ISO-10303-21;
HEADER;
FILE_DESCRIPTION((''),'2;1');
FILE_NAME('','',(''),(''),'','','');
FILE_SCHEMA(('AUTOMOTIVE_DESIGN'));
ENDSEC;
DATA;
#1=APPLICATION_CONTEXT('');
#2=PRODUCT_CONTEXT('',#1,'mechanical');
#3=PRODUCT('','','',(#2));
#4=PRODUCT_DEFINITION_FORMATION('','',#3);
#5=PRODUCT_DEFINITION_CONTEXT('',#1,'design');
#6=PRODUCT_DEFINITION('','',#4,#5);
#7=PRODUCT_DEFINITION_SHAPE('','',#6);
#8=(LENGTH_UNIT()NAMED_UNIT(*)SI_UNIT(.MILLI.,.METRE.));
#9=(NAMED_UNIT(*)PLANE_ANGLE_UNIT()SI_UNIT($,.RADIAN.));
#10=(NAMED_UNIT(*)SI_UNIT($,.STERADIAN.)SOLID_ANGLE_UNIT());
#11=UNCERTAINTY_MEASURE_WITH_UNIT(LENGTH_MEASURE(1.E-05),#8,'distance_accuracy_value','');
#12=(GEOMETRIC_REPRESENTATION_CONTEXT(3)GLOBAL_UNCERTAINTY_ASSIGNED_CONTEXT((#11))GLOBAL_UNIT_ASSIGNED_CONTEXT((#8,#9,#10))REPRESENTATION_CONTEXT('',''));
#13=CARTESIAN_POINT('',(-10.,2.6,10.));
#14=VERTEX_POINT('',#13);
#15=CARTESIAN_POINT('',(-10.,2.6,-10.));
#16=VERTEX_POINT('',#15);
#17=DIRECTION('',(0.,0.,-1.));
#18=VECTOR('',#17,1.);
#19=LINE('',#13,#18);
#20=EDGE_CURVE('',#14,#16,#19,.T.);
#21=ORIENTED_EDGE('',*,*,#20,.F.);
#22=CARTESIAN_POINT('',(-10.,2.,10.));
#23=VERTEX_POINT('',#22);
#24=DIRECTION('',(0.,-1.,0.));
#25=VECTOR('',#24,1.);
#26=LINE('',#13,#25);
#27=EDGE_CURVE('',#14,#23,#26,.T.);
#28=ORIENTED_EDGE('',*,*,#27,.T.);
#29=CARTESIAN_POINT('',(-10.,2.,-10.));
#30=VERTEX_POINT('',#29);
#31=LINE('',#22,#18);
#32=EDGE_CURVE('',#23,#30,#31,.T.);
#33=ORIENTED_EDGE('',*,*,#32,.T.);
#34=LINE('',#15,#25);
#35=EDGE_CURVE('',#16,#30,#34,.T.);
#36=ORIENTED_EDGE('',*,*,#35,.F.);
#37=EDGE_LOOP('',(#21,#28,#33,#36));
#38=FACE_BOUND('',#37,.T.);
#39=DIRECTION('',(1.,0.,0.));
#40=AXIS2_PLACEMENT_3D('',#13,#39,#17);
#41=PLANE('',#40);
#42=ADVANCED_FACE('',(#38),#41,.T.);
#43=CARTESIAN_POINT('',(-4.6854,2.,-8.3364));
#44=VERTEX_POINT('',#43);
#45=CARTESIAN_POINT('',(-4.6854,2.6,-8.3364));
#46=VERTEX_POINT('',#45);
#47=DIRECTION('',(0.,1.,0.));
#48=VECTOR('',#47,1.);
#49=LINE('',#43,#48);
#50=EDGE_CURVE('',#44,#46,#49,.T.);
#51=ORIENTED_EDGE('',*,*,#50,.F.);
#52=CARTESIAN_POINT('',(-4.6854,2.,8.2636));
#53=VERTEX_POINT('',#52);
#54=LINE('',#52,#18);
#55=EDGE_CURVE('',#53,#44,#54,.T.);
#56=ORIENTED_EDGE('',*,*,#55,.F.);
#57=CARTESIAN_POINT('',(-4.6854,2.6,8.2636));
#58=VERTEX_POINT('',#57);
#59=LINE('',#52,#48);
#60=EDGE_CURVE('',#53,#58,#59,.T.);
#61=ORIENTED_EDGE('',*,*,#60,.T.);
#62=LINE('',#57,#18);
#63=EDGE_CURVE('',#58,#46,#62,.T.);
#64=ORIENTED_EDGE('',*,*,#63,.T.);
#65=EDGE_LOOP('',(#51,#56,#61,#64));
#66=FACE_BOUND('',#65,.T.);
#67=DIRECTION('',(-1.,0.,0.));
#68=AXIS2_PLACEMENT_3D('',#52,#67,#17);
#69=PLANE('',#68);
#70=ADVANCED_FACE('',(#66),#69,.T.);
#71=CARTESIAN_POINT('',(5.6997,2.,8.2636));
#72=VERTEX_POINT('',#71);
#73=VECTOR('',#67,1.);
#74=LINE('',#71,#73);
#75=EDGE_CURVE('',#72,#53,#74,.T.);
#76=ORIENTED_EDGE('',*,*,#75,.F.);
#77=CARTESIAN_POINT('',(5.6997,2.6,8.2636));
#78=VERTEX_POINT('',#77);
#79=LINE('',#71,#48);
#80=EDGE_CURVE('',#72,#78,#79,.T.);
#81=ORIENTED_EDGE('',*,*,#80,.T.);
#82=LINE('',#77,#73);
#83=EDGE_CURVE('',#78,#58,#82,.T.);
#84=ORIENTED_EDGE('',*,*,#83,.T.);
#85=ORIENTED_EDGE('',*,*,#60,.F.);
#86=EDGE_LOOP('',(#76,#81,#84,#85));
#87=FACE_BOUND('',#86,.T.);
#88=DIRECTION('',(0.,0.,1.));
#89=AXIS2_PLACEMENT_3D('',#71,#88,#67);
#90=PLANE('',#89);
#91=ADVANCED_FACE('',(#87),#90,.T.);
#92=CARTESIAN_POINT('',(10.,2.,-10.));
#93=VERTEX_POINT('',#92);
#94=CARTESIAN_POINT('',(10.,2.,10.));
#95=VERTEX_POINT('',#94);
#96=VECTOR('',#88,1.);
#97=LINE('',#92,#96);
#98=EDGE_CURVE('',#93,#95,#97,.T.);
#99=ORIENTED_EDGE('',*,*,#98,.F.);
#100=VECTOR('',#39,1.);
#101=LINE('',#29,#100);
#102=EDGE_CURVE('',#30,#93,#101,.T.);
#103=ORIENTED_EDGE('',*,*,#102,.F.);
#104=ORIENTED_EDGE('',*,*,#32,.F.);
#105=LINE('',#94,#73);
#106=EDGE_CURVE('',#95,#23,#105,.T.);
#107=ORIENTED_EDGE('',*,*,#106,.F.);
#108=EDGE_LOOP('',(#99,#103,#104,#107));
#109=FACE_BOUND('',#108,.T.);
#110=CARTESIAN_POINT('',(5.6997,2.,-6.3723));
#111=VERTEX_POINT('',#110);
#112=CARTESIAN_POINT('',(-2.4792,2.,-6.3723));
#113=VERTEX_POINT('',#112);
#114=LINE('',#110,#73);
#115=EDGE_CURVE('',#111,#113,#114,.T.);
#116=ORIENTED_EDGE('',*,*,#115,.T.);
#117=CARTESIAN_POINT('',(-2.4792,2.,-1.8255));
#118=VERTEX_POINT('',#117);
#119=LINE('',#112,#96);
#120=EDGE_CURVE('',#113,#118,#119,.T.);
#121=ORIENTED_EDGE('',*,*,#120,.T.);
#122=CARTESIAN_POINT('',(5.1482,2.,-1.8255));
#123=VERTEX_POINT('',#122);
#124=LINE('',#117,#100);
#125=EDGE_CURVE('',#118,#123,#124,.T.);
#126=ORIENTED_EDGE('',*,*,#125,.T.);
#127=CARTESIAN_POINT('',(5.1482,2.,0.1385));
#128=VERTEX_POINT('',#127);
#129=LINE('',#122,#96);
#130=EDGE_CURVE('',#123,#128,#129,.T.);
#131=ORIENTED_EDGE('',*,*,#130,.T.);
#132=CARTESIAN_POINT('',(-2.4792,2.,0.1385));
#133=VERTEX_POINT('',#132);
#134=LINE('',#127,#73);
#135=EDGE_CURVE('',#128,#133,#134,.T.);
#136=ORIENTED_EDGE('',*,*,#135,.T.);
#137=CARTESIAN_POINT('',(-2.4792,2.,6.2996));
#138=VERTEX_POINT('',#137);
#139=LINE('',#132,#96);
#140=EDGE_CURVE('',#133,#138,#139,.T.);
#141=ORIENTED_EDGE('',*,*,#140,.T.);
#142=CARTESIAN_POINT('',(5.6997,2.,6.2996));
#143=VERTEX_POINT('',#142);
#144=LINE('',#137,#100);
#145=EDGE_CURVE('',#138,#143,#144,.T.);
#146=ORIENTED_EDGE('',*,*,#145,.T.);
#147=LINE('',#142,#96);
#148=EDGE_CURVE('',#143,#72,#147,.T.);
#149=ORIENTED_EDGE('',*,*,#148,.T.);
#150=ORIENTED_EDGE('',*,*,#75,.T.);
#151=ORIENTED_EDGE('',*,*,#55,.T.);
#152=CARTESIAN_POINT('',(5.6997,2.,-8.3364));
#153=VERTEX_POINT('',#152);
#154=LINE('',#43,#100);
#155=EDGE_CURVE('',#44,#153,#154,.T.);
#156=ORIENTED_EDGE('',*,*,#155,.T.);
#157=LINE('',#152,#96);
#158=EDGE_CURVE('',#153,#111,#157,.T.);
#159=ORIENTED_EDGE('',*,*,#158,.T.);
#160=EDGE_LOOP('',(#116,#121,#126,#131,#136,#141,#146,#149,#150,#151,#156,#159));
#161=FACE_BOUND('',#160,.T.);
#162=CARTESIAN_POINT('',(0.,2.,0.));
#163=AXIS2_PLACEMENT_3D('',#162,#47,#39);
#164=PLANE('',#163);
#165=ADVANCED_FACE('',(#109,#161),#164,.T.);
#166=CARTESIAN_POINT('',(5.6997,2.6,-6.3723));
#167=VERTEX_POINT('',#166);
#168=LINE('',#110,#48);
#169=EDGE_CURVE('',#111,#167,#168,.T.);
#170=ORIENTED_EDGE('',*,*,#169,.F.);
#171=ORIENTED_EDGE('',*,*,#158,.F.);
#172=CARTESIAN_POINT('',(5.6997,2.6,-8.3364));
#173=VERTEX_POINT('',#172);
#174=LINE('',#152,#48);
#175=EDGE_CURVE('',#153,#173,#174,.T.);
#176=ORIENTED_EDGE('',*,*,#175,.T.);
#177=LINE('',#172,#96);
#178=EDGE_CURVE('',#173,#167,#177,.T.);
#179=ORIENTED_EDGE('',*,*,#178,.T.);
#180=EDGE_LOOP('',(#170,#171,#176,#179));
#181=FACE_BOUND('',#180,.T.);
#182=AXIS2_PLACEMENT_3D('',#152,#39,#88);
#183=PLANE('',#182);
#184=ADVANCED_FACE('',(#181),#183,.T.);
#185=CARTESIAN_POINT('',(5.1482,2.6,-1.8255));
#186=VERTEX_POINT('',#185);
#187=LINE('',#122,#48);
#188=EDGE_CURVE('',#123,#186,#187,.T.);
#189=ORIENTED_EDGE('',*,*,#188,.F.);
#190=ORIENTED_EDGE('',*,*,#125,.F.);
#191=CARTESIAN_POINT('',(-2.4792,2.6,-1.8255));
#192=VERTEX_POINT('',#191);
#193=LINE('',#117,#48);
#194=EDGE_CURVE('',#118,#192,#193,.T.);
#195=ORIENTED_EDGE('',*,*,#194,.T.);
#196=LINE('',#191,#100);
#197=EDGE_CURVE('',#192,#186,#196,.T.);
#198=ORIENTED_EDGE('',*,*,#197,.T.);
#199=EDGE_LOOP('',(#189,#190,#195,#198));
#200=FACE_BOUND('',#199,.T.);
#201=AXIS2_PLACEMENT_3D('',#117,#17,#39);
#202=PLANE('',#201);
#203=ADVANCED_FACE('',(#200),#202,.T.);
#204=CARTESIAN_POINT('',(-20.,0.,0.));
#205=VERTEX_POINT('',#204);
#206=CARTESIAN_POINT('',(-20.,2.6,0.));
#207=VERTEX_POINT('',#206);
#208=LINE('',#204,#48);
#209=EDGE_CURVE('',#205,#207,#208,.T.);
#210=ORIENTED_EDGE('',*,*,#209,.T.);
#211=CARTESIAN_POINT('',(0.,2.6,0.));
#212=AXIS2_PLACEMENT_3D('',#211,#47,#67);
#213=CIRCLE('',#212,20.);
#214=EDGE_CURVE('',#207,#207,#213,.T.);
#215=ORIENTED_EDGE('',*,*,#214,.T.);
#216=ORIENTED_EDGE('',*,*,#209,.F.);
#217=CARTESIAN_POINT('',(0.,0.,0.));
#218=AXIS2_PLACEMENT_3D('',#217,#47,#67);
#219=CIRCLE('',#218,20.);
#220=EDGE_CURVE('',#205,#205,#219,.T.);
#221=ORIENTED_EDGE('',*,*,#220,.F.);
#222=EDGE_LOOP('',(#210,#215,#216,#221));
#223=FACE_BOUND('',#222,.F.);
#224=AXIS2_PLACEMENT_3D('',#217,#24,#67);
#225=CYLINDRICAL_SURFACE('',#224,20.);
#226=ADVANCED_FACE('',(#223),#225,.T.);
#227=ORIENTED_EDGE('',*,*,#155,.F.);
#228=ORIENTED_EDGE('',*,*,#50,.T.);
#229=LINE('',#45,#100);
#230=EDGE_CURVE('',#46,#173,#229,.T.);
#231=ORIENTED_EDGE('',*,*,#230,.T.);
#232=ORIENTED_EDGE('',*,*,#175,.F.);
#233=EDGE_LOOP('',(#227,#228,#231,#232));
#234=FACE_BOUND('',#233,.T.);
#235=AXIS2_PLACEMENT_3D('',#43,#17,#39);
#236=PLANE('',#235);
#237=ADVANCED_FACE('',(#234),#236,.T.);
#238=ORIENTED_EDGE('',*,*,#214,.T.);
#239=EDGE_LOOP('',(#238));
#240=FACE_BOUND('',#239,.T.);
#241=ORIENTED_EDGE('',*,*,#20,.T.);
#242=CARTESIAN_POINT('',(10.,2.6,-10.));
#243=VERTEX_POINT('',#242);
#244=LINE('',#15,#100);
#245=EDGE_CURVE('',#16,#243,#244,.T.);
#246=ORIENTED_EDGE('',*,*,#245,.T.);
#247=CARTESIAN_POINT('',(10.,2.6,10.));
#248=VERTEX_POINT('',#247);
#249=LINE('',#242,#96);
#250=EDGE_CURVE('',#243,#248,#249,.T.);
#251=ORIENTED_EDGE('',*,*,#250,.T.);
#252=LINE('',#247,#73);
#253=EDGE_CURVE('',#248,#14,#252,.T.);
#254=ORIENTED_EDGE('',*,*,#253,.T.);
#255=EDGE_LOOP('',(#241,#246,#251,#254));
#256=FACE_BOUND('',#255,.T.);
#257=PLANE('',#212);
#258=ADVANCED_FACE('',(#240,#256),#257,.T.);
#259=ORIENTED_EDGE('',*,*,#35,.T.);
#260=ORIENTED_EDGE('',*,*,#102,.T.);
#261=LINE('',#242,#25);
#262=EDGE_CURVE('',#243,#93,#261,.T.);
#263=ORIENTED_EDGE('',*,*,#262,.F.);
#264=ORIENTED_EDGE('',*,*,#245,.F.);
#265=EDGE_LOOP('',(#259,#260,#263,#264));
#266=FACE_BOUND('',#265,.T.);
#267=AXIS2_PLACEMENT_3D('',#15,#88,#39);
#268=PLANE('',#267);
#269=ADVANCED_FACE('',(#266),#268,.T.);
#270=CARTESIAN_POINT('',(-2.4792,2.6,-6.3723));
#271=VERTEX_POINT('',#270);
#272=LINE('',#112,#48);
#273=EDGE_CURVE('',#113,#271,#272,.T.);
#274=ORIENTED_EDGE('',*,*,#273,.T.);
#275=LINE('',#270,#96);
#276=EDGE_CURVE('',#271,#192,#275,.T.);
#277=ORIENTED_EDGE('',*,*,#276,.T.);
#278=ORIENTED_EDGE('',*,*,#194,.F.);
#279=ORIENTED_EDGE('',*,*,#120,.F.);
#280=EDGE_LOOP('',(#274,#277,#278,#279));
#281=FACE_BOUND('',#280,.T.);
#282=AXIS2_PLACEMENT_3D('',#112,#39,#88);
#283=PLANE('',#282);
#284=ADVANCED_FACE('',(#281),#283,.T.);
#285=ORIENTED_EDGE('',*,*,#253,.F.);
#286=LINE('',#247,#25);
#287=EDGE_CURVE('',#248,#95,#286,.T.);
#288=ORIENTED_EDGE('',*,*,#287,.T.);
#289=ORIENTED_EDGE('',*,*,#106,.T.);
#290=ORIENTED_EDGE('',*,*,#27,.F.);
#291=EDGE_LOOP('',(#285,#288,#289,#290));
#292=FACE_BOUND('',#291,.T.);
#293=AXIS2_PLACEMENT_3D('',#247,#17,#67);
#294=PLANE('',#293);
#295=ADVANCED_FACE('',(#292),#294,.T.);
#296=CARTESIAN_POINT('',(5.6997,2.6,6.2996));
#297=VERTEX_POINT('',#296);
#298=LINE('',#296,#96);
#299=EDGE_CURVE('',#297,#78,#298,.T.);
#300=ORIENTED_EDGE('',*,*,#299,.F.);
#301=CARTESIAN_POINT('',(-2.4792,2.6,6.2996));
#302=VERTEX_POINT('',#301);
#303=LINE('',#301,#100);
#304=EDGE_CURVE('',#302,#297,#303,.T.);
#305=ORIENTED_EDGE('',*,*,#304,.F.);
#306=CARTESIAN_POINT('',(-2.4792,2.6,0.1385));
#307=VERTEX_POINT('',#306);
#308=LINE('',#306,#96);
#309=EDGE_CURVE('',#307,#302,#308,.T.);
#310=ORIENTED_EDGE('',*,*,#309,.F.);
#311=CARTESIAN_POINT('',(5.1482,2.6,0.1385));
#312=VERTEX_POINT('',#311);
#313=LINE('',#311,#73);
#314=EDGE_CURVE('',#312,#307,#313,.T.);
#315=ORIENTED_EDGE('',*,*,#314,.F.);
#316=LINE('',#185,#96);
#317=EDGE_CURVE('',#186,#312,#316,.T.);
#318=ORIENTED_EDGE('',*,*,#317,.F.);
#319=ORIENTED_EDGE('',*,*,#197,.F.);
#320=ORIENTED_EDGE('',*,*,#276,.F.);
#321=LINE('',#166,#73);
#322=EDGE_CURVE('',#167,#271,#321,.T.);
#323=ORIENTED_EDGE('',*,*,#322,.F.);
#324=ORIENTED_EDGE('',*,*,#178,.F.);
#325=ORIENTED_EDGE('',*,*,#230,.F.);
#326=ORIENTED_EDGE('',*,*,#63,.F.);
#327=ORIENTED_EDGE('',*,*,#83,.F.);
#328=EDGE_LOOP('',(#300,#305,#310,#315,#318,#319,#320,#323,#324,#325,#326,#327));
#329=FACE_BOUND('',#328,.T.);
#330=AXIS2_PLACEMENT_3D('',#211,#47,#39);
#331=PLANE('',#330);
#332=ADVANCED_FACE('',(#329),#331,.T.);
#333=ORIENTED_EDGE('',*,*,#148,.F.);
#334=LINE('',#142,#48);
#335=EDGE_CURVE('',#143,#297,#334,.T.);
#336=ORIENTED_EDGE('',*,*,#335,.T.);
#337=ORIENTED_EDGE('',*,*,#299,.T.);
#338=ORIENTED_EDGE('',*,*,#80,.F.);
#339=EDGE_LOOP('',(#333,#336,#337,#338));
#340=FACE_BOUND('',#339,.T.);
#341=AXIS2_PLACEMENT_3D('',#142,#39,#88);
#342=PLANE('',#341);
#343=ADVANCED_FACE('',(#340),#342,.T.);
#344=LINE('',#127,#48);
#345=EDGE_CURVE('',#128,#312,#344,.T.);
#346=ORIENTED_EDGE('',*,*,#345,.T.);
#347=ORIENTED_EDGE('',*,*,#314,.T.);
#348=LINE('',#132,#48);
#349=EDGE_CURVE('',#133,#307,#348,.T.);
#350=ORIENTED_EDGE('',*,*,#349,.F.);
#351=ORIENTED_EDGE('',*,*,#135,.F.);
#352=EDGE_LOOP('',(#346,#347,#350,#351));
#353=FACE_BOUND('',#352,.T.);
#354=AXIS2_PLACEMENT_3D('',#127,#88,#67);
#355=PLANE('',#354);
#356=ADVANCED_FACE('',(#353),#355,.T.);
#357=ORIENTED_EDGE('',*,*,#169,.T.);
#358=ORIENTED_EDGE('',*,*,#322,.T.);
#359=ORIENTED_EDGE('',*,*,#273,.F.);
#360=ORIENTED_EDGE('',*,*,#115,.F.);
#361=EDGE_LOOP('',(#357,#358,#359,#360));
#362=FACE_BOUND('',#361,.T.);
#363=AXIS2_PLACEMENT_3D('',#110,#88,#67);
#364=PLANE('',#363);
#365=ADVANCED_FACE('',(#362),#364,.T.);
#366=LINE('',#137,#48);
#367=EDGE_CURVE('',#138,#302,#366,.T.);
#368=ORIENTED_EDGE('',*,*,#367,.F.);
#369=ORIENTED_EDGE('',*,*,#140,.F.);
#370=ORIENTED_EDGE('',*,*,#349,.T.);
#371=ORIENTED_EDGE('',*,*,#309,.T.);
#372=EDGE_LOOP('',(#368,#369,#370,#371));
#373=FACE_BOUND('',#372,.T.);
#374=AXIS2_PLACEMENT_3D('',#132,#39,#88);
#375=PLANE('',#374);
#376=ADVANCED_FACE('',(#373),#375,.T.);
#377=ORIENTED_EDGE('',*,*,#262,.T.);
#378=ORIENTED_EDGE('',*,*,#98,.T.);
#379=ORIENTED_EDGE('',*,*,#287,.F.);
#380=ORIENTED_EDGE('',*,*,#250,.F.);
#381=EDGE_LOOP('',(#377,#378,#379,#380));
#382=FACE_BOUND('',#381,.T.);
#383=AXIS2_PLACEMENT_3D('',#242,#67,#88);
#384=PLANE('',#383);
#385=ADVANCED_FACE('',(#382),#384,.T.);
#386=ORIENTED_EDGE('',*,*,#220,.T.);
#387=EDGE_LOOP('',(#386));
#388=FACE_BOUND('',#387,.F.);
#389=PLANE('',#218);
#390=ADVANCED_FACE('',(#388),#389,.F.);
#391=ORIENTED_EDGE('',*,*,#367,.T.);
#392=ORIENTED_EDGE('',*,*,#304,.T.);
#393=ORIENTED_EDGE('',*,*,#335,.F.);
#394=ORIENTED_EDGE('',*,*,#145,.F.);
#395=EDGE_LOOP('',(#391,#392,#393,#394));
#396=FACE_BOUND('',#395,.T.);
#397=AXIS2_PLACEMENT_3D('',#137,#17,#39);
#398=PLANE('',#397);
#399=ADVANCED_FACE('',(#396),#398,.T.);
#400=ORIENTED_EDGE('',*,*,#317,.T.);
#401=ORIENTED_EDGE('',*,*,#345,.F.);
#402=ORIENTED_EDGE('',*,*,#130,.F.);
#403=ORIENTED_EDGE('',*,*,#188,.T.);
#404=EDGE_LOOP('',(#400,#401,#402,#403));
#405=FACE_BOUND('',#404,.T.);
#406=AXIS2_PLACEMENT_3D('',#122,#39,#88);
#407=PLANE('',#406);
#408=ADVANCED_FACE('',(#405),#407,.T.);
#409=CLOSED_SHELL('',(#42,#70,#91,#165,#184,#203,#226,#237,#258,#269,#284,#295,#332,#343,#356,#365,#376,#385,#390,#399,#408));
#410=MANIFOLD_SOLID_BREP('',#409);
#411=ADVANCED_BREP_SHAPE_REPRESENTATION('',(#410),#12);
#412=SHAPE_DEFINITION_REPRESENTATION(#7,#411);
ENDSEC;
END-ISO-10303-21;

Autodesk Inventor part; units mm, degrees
ref_plane "YZ Plane" through (0, 0, 0) normal (1, 0, 0) x (0, 1, 0)
ref_plane "XZ Plane" through (0, 0, 0) normal (0, 1, 0) x (-1, 0, 0)
ref_plane "XY Plane" through (0, 0, 0) normal (0, 0, 1) x (1, 0, 0)
sketch "Sketch1" plane through (0, 0, 0) normal (0, 1, 0) x (-1, 0, 0)
  circle A0 centre (0, 0) radius 20
  dimension "d0" = 40
extrude "Extrusion1" add sketch "Sketch1" along normal blind 2.6
sketch "Sketch2" plane through (0, 2.6, 0) normal (0, 1, 0) x (1, 0, 0)
  line L0 (-10, -10) -> (-10, 10)
  line L1 (-10, 10) -> (10, 10)
  line L2 (10, 10) -> (10, -10)
  line L3 (10, -10) -> (-10, -10)
  line L4 (-10, -10) -> (10, 10) construction
  line L5 (-10, 10) -> (10, -10) construction
  point P0 (0, 0)
  dimension "d3" = 20
  dimension "d4" = 20
extrude "Extrusion2" cut sketch "Sketch2" against normal blind 0.6
sketch "Sketch3" plane through (0, 2, 0) normal (0, 1, 0) x (1, 0, 0)
  line L0 (-6.3669, 8.3364) -> (6.4396, 8.3364) construction
  line L1 (6.4396, 8.3364) -> (6.4396, -8.2636) construction
  line L2 (6.4396, -8.2636) -> (-6.3669, -8.2636) construction
  line L3 (-6.3669, -8.2636) -> (-6.3669, 8.3364) construction
  line L4 (-4.6854, -8.2636) -> (-4.6854, 8.3364)
  line L5 (-4.6854, 8.3364) -> (5.6997, 8.3364)
  line L6 (5.6997, 8.3364) -> (5.6997, 6.3723)
  line L7 (5.6997, 6.3723) -> (-2.4792, 6.3723)
  line L8 (-2.4792, 6.3723) -> (-2.4792, 1.8255)
  line L9 (-2.4792, 1.8255) -> (5.1482, 1.8255)
  line L10 (5.1482, 1.8255) -> (5.1482, -0.1385)
  line L11 (5.1482, -0.1385) -> (-2.4792, -0.1385)
  line L12 (-2.4792, -0.1385) -> (-2.4792, -6.2996)
  line L13 (-2.4792, -6.2996) -> (5.6997, -6.2996)
  line L14 (5.6997, -6.2996) -> (5.6997, -8.2636)
  line L15 (5.6997, -8.2636) -> (-4.6854, -8.2636)
  point P0 (0, 0)
extrude "Extrusion3" add sketch "Sketch3" along normal blind 0.6
properties part number "TopMarkerPreset"
